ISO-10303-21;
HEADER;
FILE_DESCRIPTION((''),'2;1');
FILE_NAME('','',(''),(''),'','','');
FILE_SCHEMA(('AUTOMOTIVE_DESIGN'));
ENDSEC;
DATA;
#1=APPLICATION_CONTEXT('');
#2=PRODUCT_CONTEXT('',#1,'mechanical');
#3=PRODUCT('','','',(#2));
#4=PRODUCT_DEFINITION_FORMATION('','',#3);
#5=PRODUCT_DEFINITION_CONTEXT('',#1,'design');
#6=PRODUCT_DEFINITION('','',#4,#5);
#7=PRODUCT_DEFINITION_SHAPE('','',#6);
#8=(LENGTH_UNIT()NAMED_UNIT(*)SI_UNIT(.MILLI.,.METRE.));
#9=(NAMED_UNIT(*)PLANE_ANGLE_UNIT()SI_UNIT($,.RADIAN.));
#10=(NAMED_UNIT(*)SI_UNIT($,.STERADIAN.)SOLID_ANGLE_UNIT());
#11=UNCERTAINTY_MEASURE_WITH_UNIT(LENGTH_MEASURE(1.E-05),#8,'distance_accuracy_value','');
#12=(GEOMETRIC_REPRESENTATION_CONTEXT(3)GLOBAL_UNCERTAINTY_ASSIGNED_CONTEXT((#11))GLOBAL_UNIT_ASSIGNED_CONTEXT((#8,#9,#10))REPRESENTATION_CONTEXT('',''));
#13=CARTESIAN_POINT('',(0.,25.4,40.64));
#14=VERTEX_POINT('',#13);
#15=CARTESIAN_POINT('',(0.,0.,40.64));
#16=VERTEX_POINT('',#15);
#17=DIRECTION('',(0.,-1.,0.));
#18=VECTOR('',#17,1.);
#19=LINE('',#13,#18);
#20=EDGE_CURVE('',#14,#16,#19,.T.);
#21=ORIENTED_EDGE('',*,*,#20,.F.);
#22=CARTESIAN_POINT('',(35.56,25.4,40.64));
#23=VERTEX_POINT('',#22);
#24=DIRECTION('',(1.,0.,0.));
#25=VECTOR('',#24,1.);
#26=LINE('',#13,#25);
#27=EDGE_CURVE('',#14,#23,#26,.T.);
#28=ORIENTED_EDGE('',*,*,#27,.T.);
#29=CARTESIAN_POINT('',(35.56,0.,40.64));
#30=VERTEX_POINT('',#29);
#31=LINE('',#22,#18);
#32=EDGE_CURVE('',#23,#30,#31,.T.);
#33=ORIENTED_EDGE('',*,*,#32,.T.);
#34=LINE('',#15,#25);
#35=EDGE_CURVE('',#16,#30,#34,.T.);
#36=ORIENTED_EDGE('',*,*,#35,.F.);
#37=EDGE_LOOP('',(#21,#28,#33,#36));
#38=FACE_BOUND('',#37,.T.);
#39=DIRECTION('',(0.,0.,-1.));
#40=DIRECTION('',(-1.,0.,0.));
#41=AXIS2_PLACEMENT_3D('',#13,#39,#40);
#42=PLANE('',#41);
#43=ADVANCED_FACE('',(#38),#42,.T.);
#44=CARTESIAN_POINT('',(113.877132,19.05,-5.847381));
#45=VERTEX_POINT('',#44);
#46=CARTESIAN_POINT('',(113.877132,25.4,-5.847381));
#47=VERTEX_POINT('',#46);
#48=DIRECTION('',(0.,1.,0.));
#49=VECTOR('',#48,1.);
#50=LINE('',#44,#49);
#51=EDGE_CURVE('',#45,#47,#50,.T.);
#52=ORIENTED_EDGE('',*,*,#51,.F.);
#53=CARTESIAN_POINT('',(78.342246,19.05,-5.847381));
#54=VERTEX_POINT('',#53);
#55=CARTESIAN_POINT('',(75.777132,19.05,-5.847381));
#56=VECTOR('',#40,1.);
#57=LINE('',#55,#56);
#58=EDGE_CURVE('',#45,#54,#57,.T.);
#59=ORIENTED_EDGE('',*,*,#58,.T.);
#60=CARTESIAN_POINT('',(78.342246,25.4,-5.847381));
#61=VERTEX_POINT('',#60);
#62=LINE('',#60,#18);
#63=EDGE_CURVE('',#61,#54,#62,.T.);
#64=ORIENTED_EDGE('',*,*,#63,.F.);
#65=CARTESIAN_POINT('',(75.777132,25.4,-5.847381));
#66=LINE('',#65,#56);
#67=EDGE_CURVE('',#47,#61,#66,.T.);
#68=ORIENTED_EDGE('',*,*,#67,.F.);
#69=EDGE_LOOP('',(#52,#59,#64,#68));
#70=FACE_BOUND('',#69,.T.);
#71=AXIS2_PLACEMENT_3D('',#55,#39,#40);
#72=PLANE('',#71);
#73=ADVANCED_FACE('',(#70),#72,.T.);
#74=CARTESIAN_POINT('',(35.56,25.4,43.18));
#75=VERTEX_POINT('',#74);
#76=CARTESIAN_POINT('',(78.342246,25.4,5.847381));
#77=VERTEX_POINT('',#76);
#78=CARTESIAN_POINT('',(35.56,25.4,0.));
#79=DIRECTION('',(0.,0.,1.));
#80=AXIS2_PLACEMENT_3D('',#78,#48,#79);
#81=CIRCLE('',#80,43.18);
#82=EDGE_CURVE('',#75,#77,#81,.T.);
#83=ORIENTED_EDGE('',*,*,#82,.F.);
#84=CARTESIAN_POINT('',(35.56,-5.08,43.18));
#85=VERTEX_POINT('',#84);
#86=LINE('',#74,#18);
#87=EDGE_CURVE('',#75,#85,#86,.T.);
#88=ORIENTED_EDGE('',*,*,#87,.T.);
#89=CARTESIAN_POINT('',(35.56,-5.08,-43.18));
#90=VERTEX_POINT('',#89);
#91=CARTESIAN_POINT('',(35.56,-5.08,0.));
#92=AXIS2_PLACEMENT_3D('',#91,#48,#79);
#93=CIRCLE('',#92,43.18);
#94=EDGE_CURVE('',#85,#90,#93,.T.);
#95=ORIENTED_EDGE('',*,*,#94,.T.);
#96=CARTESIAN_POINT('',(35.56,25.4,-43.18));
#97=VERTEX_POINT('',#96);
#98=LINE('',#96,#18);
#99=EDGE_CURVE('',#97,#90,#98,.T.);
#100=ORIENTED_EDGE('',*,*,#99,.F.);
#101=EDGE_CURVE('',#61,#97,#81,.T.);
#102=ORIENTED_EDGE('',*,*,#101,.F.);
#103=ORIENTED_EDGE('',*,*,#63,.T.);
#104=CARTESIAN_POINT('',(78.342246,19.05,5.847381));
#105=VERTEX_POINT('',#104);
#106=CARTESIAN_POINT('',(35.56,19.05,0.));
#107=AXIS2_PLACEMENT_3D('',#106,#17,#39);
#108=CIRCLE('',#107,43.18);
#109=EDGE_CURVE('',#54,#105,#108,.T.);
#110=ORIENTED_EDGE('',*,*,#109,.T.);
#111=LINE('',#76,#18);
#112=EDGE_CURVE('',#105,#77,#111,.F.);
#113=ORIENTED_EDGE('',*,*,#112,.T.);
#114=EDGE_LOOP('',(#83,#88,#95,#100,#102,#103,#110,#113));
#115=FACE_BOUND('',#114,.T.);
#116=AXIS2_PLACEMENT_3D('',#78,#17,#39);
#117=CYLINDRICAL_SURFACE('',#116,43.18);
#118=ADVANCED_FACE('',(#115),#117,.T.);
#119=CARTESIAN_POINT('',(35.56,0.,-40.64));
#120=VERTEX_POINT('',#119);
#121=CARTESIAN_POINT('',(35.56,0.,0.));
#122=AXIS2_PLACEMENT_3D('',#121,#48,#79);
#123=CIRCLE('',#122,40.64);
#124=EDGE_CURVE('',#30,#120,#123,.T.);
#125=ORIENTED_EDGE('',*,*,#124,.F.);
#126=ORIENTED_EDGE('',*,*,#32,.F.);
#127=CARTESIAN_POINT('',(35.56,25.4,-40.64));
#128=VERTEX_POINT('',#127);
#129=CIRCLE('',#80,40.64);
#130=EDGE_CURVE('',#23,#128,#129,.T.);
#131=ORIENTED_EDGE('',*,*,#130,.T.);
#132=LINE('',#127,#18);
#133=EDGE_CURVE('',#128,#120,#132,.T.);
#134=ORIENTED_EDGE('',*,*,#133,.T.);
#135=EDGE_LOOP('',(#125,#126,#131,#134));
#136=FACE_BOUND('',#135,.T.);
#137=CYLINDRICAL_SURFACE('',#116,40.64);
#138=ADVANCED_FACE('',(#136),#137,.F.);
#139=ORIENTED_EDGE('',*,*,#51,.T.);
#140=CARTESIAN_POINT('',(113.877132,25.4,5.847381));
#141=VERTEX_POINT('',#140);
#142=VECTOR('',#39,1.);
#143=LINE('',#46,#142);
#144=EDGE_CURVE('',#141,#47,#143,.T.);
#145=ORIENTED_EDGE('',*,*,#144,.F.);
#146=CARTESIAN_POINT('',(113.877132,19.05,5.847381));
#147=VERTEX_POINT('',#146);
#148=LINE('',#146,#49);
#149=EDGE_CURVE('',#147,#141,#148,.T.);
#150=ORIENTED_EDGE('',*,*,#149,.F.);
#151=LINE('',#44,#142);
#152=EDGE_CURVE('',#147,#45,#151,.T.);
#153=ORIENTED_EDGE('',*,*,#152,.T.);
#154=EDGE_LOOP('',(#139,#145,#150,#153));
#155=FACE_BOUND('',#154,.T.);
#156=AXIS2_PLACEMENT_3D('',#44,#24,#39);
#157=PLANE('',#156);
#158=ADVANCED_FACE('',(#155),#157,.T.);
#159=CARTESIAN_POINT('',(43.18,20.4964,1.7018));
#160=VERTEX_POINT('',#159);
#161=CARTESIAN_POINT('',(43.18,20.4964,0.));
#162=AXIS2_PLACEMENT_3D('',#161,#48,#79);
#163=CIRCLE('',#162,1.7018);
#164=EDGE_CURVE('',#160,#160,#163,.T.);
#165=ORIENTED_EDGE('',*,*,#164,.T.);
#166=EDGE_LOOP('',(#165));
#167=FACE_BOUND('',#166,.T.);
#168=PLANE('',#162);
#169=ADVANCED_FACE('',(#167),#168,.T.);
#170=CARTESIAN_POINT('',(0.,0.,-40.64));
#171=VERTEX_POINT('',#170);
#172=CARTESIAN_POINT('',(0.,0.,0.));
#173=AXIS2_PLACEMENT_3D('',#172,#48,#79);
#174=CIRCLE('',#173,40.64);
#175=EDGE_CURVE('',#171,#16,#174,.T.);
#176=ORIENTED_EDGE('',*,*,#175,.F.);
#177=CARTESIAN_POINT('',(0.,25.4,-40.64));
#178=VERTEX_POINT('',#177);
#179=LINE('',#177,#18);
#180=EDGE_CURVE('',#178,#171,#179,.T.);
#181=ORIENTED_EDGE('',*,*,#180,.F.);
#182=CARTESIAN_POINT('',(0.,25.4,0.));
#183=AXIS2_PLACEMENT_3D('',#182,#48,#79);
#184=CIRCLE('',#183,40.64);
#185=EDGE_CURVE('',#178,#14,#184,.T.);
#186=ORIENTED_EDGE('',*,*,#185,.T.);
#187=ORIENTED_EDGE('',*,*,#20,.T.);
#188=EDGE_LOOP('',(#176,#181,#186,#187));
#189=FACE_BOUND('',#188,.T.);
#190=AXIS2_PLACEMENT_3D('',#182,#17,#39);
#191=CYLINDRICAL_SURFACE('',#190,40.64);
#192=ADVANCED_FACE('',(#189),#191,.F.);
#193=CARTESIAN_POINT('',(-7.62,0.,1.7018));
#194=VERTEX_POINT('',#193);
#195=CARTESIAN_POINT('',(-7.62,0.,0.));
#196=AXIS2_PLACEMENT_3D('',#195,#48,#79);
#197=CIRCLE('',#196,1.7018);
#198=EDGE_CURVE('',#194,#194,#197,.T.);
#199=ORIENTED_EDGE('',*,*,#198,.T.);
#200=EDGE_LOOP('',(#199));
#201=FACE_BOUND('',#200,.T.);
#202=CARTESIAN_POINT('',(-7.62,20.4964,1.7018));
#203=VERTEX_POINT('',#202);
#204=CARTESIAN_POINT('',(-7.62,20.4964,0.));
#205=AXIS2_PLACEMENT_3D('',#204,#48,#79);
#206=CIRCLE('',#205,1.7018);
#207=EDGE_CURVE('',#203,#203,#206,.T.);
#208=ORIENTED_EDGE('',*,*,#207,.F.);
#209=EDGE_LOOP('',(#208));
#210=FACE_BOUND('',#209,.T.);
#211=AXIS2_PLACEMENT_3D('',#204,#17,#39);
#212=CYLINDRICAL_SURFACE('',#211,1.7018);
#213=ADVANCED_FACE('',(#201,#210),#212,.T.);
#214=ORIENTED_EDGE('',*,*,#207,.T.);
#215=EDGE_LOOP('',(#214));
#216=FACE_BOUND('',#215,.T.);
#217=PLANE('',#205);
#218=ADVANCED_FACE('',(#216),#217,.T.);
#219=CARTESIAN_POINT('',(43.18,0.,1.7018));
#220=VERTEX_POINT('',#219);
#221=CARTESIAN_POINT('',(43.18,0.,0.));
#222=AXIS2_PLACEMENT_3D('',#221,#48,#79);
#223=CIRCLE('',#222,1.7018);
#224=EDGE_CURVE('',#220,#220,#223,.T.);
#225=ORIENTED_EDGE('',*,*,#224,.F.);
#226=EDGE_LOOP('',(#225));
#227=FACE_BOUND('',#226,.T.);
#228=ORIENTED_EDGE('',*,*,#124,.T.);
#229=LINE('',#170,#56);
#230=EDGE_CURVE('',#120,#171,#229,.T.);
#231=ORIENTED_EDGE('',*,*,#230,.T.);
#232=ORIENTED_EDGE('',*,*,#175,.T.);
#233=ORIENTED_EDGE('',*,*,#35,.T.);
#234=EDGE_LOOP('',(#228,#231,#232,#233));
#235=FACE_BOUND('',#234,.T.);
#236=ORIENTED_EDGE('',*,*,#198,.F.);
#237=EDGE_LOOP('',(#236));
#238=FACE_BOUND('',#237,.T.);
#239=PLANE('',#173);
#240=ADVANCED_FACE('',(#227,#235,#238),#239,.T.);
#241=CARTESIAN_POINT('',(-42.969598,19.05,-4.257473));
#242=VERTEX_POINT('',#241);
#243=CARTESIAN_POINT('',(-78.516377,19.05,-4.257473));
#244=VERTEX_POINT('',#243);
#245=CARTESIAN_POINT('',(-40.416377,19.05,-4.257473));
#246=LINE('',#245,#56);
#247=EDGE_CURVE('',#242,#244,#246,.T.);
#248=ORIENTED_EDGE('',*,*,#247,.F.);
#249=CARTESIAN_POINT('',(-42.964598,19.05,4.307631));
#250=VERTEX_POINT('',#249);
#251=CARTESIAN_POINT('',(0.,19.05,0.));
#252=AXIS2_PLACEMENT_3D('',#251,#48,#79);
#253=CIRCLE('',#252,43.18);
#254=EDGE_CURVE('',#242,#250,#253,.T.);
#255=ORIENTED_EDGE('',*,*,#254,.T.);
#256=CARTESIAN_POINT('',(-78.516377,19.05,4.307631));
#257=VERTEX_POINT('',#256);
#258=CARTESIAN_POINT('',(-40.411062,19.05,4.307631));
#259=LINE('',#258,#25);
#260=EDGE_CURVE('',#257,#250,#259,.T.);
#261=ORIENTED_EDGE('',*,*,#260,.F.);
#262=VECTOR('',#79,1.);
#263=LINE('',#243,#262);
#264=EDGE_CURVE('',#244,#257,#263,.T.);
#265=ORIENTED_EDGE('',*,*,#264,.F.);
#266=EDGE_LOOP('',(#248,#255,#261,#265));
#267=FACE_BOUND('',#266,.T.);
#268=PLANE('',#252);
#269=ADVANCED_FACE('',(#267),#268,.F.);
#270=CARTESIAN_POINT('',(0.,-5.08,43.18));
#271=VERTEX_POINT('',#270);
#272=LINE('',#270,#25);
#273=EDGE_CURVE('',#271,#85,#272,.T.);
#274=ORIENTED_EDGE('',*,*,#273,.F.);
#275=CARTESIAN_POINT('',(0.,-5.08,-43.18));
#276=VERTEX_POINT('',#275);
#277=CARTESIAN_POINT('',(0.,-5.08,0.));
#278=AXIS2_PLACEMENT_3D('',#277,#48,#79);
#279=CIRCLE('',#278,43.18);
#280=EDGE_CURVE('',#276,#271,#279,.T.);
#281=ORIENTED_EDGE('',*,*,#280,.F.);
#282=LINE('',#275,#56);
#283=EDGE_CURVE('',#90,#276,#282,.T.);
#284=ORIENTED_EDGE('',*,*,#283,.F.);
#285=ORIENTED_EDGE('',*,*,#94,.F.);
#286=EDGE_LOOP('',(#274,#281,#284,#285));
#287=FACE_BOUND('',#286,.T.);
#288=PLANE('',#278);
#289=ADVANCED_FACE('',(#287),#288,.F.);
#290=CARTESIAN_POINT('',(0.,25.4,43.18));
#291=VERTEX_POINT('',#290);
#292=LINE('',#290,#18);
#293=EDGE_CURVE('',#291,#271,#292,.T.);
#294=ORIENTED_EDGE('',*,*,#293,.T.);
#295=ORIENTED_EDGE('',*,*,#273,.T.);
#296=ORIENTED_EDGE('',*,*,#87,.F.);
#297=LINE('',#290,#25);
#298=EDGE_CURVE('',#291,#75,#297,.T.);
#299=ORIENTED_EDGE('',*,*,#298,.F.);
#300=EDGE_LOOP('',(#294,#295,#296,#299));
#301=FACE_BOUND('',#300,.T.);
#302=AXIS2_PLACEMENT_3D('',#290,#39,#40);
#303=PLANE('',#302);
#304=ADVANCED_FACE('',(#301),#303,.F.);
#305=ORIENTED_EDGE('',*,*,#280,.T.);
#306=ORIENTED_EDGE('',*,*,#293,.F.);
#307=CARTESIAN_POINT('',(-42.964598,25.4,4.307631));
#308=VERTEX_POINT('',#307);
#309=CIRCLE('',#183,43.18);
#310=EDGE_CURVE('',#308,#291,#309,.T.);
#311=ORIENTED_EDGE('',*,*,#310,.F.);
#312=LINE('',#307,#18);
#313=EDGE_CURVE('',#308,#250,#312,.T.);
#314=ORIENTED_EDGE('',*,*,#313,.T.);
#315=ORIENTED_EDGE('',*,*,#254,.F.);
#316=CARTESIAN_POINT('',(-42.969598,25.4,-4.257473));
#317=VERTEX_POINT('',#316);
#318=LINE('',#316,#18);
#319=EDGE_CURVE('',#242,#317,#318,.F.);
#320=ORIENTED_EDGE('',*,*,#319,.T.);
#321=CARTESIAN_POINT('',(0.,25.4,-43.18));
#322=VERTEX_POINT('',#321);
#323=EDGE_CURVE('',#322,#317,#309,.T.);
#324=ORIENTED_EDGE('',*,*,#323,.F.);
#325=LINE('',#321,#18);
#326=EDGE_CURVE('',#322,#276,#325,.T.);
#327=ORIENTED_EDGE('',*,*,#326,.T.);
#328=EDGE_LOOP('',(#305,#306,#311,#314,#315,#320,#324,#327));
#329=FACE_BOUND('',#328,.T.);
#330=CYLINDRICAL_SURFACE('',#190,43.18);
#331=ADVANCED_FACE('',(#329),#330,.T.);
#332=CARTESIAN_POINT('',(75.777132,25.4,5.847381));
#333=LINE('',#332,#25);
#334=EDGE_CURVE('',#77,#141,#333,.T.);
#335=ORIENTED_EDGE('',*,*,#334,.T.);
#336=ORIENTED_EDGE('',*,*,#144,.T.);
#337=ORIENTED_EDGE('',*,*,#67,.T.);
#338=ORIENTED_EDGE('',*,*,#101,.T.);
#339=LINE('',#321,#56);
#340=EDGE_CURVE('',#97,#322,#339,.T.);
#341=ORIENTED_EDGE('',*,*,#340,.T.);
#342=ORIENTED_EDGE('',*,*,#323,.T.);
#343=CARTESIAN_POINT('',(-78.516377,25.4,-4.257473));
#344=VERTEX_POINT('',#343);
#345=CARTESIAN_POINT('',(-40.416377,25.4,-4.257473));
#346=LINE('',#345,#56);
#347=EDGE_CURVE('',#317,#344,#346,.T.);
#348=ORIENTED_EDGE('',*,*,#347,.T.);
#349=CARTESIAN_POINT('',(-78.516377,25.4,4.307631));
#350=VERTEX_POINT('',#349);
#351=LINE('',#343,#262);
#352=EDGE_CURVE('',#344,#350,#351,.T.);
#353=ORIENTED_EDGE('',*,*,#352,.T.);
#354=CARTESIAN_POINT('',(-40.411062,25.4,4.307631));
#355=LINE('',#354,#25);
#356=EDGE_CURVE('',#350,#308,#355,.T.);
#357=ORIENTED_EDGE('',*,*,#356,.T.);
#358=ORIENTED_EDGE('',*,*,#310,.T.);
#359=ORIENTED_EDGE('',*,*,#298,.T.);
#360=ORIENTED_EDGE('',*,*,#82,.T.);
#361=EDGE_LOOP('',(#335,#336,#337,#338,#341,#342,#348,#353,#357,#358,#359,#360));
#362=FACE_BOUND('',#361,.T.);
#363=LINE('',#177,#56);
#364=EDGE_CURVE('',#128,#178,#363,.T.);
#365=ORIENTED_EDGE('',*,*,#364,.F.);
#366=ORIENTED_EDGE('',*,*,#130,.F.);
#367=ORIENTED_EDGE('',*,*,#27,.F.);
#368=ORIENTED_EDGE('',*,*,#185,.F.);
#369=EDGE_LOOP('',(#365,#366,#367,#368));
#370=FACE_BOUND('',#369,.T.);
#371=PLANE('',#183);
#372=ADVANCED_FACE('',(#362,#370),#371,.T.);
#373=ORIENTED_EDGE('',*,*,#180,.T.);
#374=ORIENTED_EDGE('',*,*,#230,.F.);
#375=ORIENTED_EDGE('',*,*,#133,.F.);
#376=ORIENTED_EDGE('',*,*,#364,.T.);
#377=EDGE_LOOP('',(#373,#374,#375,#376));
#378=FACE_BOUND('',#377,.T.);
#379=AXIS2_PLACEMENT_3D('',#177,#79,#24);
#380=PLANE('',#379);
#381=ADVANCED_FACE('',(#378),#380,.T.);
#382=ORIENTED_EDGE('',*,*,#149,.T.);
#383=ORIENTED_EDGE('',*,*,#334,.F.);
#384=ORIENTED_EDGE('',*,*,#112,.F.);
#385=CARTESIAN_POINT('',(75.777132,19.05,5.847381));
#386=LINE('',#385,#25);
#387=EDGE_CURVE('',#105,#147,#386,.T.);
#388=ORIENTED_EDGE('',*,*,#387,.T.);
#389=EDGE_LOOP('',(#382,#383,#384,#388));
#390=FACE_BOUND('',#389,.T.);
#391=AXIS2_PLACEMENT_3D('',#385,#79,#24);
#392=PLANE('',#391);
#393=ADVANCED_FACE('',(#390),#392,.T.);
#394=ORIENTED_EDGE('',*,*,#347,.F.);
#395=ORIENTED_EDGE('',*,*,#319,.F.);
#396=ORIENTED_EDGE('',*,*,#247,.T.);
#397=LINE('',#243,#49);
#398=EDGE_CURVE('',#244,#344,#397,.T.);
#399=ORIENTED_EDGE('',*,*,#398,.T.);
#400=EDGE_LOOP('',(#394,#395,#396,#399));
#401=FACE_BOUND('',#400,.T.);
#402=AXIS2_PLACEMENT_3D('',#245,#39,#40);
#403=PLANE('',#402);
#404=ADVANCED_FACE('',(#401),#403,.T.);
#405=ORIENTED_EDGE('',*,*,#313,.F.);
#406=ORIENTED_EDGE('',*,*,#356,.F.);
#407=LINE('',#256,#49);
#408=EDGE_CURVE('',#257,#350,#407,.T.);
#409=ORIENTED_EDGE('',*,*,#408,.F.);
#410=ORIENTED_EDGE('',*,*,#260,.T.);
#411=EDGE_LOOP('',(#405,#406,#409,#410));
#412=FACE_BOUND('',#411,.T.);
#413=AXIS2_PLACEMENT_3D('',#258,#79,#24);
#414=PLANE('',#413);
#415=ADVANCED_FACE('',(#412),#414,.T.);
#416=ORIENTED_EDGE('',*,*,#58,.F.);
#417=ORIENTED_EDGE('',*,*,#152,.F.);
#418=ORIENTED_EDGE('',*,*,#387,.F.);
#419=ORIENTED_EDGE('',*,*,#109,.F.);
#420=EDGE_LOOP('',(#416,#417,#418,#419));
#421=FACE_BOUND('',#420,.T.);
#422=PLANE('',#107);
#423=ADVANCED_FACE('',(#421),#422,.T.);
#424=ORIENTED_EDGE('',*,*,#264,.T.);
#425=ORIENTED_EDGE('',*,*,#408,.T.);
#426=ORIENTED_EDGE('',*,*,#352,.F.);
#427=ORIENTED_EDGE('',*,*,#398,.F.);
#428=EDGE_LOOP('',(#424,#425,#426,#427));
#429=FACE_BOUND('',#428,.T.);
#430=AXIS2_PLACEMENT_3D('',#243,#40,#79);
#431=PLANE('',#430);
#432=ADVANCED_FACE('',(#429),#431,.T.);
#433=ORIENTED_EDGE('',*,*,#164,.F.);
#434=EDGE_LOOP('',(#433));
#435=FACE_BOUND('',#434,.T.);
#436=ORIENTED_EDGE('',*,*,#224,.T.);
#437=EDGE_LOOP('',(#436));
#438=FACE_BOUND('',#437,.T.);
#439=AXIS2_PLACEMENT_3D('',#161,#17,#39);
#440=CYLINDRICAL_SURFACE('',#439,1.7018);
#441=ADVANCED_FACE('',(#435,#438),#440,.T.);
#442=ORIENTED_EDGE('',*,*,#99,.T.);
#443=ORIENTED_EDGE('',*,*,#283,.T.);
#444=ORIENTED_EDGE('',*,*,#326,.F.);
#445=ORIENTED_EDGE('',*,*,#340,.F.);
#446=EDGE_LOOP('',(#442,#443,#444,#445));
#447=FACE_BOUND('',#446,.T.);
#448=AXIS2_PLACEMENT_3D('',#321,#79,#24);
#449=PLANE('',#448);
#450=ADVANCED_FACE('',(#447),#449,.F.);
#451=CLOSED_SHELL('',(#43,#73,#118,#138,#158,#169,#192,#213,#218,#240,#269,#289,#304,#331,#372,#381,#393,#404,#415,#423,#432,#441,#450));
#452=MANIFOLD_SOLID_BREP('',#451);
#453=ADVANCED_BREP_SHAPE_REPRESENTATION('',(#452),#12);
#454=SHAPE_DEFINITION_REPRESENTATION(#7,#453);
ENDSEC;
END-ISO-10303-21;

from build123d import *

# Parameters (mm, degrees)
BOSS_EXTRUDE1_DEPTH = 25.4
BOSS_EXTRUDE2_START = -30.48
BOSS_EXTRUDE2_DEPTH = 5.08
SKETCH4_R           = 1.7018
BOSS_EXTRUDE3_DEPTH = 20.4964
BOSS_EXTRUDE4_START = -6.35
BOSS_EXTRUDE4_DEPTH = 6.35


with BuildPart() as part:
    # Sketch1 → Boss-Extrude1 (new body)
    with BuildSketch(Plane(origin=(0, 0, 0), x_dir=(1, 0, 0), z_dir=(0, 1, 0))):
        with BuildLine():
            Line((0, 43.18), (35.56, 43.18))
            ThreePointArc((35.56, 43.18), (78.74, 0), (35.56, -43.18))
            Line((35.56, -43.18), (0, -43.18))
            ThreePointArc((0, -43.18), (-43.18, 0), (0, 43.18))
        make_face()
        with BuildLine():
            Line((0, 40.64), (35.56, 40.64))
            ThreePointArc((35.56, 40.64), (76.2, 0), (35.56, -40.64))
            Line((35.56, -40.64), (0, -40.64))
            ThreePointArc((0, -40.64), (-40.64, 0), (0, 40.64))
        make_face(mode=Mode.SUBTRACT)
    extrude(amount=BOSS_EXTRUDE1_DEPTH)

    # Sketch3 → Boss-Extrude2 (add)
    with BuildSketch(Plane(origin=(0, 25.4, 0), x_dir=(1, 0, 0), z_dir=(0, 1, 0)).offset(BOSS_EXTRUDE2_START)):
        with BuildLine():
            Line((0, 43.18), (35.56, 43.18))
            ThreePointArc((35.56, 43.18), (78.74, 0), (35.56, -43.18))
            Line((35.56, -43.18), (0, -43.18))
            ThreePointArc((0, -43.18), (-43.18, 0), (0, 43.18))
        make_face()
    extrude(amount=BOSS_EXTRUDE2_DEPTH)

    # Sketch4 → Boss-Extrude3 (add)
    with BuildSketch(Plane(origin=(0, 0, 0), x_dir=(1, 0, 0), z_dir=(0, 1, 0))):
        with Locations(Location((43.18, 0, 0), (0, 0, 270))):
            Circle(SKETCH4_R)
        with Locations(Location((-7.62, 0, 0), (0, 0, 270))):
            Circle(SKETCH4_R)
    extrude(amount=BOSS_EXTRUDE3_DEPTH)

    # Sketch5 → Boss-Extrude4 (add)
    with BuildSketch(Plane(origin=(0, 25.4, 0), x_dir=(1, 0, 0), z_dir=(0, 1, 0)).offset(BOSS_EXTRUDE4_START)):
        with BuildLine():
            Line((-40.416376905, 4.257473181), (-78.516376905, 4.257473181))
            Line((-78.516376905, 4.257473181), (-78.516376905, -4.307631169))
            Line((-78.516376905, -4.307631169), (-40.411061774, -4.307631169))
            ThreePointArc((-40.411061774, -4.307631169), (-40.639992175, -0.025219409), (-40.416376905, 4.257473181))
        make_face()
        with BuildLine():
            Line((75.777132348, 5.847381095), (113.877132348, 5.847381095))
            Line((113.877132348, 5.847381095), (113.877132348, -5.847381095))
            Line((113.877132348, -5.847381095), (75.777132348, -5.847381095))
            ThreePointArc((75.777132348, -5.847381095), (76.2, 0), (75.777132348, 5.847381095))
        make_face()
    extrude(amount=BOSS_EXTRUDE4_DEPTH)


solid = part.part
